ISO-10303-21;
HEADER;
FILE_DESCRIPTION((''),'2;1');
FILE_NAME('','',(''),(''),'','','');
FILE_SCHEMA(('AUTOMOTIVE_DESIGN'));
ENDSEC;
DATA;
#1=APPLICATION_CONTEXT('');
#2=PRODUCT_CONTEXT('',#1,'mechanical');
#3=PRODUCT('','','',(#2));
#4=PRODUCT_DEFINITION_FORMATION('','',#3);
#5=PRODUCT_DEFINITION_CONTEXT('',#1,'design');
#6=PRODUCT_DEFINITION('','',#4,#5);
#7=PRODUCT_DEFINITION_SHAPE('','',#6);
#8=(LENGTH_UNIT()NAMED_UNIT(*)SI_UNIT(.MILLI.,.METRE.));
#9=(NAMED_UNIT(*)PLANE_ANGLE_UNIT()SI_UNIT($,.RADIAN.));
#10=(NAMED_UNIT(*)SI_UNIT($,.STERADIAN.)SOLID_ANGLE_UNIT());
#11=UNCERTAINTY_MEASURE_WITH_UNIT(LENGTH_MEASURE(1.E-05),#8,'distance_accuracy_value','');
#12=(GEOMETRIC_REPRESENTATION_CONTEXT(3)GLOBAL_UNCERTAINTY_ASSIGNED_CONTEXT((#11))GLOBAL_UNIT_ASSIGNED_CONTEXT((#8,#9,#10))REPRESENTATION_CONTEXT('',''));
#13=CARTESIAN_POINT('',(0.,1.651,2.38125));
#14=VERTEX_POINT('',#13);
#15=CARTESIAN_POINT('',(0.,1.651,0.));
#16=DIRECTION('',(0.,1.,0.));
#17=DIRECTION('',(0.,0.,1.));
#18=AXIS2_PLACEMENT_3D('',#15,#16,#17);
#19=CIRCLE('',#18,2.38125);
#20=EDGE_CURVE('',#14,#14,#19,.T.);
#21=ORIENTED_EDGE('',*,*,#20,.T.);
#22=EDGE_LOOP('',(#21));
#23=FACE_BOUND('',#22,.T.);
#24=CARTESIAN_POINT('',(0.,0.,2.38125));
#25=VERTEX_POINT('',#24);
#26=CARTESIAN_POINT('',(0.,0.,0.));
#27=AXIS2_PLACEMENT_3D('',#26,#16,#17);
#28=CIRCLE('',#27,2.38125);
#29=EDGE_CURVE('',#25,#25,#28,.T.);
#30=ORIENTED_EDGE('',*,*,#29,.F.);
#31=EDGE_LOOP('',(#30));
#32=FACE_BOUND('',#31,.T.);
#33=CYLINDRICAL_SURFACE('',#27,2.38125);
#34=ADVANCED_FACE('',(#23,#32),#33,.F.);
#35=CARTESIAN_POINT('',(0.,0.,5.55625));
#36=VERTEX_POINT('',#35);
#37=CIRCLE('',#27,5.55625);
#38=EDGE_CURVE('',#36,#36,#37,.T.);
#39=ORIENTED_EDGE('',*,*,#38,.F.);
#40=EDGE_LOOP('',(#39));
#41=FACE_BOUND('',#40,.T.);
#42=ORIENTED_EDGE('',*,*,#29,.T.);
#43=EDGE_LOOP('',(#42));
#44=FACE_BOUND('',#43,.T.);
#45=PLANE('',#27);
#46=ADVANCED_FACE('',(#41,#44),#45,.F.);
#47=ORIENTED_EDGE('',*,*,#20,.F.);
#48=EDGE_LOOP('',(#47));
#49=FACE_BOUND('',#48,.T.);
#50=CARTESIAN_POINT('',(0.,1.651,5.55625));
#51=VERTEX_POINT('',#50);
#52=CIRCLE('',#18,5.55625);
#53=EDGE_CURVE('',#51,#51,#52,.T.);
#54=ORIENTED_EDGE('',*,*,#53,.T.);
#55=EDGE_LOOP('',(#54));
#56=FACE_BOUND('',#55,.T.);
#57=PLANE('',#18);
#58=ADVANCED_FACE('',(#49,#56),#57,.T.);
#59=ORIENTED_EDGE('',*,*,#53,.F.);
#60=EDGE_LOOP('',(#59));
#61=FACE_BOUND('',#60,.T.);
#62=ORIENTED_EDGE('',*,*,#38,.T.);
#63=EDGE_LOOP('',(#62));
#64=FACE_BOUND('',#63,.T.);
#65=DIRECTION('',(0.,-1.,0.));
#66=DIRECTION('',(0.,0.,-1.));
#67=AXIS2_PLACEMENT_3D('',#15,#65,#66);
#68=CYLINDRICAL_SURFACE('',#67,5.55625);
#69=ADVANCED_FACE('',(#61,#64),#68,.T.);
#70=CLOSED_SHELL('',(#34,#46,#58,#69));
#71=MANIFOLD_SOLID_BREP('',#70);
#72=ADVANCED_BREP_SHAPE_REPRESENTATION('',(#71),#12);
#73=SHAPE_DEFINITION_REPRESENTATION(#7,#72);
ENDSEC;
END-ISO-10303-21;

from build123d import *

# Parameters (mm, degrees)
SKETCH1_R           = 5.55625
BOSS_EXTRUDE1_DEPTH = 1.651
SKETCH5_R           = 2.38125
CUT_EXTRUDE1_DEPTH  = 2.651


with BuildPart() as part:
    # Sketch1 → Boss-Extrude1 (new body)
    with BuildSketch(Plane(origin=(0, 0, 0), x_dir=(1, 0, 0), z_dir=(0, 1, 0))):
        Circle(SKETCH1_R)
    extrude(amount=BOSS_EXTRUDE1_DEPTH)

    # Sketch5 → Cut-Extrude1 (cut, through all)
    with BuildSketch(Plane(origin=(0, 1.651, 0), x_dir=(-1, 0, 0), z_dir=(0, 1, 0))):
        Circle(SKETCH5_R)
    extrude(amount=-CUT_EXTRUDE1_DEPTH, mode=Mode.SUBTRACT)


solid = part.part
